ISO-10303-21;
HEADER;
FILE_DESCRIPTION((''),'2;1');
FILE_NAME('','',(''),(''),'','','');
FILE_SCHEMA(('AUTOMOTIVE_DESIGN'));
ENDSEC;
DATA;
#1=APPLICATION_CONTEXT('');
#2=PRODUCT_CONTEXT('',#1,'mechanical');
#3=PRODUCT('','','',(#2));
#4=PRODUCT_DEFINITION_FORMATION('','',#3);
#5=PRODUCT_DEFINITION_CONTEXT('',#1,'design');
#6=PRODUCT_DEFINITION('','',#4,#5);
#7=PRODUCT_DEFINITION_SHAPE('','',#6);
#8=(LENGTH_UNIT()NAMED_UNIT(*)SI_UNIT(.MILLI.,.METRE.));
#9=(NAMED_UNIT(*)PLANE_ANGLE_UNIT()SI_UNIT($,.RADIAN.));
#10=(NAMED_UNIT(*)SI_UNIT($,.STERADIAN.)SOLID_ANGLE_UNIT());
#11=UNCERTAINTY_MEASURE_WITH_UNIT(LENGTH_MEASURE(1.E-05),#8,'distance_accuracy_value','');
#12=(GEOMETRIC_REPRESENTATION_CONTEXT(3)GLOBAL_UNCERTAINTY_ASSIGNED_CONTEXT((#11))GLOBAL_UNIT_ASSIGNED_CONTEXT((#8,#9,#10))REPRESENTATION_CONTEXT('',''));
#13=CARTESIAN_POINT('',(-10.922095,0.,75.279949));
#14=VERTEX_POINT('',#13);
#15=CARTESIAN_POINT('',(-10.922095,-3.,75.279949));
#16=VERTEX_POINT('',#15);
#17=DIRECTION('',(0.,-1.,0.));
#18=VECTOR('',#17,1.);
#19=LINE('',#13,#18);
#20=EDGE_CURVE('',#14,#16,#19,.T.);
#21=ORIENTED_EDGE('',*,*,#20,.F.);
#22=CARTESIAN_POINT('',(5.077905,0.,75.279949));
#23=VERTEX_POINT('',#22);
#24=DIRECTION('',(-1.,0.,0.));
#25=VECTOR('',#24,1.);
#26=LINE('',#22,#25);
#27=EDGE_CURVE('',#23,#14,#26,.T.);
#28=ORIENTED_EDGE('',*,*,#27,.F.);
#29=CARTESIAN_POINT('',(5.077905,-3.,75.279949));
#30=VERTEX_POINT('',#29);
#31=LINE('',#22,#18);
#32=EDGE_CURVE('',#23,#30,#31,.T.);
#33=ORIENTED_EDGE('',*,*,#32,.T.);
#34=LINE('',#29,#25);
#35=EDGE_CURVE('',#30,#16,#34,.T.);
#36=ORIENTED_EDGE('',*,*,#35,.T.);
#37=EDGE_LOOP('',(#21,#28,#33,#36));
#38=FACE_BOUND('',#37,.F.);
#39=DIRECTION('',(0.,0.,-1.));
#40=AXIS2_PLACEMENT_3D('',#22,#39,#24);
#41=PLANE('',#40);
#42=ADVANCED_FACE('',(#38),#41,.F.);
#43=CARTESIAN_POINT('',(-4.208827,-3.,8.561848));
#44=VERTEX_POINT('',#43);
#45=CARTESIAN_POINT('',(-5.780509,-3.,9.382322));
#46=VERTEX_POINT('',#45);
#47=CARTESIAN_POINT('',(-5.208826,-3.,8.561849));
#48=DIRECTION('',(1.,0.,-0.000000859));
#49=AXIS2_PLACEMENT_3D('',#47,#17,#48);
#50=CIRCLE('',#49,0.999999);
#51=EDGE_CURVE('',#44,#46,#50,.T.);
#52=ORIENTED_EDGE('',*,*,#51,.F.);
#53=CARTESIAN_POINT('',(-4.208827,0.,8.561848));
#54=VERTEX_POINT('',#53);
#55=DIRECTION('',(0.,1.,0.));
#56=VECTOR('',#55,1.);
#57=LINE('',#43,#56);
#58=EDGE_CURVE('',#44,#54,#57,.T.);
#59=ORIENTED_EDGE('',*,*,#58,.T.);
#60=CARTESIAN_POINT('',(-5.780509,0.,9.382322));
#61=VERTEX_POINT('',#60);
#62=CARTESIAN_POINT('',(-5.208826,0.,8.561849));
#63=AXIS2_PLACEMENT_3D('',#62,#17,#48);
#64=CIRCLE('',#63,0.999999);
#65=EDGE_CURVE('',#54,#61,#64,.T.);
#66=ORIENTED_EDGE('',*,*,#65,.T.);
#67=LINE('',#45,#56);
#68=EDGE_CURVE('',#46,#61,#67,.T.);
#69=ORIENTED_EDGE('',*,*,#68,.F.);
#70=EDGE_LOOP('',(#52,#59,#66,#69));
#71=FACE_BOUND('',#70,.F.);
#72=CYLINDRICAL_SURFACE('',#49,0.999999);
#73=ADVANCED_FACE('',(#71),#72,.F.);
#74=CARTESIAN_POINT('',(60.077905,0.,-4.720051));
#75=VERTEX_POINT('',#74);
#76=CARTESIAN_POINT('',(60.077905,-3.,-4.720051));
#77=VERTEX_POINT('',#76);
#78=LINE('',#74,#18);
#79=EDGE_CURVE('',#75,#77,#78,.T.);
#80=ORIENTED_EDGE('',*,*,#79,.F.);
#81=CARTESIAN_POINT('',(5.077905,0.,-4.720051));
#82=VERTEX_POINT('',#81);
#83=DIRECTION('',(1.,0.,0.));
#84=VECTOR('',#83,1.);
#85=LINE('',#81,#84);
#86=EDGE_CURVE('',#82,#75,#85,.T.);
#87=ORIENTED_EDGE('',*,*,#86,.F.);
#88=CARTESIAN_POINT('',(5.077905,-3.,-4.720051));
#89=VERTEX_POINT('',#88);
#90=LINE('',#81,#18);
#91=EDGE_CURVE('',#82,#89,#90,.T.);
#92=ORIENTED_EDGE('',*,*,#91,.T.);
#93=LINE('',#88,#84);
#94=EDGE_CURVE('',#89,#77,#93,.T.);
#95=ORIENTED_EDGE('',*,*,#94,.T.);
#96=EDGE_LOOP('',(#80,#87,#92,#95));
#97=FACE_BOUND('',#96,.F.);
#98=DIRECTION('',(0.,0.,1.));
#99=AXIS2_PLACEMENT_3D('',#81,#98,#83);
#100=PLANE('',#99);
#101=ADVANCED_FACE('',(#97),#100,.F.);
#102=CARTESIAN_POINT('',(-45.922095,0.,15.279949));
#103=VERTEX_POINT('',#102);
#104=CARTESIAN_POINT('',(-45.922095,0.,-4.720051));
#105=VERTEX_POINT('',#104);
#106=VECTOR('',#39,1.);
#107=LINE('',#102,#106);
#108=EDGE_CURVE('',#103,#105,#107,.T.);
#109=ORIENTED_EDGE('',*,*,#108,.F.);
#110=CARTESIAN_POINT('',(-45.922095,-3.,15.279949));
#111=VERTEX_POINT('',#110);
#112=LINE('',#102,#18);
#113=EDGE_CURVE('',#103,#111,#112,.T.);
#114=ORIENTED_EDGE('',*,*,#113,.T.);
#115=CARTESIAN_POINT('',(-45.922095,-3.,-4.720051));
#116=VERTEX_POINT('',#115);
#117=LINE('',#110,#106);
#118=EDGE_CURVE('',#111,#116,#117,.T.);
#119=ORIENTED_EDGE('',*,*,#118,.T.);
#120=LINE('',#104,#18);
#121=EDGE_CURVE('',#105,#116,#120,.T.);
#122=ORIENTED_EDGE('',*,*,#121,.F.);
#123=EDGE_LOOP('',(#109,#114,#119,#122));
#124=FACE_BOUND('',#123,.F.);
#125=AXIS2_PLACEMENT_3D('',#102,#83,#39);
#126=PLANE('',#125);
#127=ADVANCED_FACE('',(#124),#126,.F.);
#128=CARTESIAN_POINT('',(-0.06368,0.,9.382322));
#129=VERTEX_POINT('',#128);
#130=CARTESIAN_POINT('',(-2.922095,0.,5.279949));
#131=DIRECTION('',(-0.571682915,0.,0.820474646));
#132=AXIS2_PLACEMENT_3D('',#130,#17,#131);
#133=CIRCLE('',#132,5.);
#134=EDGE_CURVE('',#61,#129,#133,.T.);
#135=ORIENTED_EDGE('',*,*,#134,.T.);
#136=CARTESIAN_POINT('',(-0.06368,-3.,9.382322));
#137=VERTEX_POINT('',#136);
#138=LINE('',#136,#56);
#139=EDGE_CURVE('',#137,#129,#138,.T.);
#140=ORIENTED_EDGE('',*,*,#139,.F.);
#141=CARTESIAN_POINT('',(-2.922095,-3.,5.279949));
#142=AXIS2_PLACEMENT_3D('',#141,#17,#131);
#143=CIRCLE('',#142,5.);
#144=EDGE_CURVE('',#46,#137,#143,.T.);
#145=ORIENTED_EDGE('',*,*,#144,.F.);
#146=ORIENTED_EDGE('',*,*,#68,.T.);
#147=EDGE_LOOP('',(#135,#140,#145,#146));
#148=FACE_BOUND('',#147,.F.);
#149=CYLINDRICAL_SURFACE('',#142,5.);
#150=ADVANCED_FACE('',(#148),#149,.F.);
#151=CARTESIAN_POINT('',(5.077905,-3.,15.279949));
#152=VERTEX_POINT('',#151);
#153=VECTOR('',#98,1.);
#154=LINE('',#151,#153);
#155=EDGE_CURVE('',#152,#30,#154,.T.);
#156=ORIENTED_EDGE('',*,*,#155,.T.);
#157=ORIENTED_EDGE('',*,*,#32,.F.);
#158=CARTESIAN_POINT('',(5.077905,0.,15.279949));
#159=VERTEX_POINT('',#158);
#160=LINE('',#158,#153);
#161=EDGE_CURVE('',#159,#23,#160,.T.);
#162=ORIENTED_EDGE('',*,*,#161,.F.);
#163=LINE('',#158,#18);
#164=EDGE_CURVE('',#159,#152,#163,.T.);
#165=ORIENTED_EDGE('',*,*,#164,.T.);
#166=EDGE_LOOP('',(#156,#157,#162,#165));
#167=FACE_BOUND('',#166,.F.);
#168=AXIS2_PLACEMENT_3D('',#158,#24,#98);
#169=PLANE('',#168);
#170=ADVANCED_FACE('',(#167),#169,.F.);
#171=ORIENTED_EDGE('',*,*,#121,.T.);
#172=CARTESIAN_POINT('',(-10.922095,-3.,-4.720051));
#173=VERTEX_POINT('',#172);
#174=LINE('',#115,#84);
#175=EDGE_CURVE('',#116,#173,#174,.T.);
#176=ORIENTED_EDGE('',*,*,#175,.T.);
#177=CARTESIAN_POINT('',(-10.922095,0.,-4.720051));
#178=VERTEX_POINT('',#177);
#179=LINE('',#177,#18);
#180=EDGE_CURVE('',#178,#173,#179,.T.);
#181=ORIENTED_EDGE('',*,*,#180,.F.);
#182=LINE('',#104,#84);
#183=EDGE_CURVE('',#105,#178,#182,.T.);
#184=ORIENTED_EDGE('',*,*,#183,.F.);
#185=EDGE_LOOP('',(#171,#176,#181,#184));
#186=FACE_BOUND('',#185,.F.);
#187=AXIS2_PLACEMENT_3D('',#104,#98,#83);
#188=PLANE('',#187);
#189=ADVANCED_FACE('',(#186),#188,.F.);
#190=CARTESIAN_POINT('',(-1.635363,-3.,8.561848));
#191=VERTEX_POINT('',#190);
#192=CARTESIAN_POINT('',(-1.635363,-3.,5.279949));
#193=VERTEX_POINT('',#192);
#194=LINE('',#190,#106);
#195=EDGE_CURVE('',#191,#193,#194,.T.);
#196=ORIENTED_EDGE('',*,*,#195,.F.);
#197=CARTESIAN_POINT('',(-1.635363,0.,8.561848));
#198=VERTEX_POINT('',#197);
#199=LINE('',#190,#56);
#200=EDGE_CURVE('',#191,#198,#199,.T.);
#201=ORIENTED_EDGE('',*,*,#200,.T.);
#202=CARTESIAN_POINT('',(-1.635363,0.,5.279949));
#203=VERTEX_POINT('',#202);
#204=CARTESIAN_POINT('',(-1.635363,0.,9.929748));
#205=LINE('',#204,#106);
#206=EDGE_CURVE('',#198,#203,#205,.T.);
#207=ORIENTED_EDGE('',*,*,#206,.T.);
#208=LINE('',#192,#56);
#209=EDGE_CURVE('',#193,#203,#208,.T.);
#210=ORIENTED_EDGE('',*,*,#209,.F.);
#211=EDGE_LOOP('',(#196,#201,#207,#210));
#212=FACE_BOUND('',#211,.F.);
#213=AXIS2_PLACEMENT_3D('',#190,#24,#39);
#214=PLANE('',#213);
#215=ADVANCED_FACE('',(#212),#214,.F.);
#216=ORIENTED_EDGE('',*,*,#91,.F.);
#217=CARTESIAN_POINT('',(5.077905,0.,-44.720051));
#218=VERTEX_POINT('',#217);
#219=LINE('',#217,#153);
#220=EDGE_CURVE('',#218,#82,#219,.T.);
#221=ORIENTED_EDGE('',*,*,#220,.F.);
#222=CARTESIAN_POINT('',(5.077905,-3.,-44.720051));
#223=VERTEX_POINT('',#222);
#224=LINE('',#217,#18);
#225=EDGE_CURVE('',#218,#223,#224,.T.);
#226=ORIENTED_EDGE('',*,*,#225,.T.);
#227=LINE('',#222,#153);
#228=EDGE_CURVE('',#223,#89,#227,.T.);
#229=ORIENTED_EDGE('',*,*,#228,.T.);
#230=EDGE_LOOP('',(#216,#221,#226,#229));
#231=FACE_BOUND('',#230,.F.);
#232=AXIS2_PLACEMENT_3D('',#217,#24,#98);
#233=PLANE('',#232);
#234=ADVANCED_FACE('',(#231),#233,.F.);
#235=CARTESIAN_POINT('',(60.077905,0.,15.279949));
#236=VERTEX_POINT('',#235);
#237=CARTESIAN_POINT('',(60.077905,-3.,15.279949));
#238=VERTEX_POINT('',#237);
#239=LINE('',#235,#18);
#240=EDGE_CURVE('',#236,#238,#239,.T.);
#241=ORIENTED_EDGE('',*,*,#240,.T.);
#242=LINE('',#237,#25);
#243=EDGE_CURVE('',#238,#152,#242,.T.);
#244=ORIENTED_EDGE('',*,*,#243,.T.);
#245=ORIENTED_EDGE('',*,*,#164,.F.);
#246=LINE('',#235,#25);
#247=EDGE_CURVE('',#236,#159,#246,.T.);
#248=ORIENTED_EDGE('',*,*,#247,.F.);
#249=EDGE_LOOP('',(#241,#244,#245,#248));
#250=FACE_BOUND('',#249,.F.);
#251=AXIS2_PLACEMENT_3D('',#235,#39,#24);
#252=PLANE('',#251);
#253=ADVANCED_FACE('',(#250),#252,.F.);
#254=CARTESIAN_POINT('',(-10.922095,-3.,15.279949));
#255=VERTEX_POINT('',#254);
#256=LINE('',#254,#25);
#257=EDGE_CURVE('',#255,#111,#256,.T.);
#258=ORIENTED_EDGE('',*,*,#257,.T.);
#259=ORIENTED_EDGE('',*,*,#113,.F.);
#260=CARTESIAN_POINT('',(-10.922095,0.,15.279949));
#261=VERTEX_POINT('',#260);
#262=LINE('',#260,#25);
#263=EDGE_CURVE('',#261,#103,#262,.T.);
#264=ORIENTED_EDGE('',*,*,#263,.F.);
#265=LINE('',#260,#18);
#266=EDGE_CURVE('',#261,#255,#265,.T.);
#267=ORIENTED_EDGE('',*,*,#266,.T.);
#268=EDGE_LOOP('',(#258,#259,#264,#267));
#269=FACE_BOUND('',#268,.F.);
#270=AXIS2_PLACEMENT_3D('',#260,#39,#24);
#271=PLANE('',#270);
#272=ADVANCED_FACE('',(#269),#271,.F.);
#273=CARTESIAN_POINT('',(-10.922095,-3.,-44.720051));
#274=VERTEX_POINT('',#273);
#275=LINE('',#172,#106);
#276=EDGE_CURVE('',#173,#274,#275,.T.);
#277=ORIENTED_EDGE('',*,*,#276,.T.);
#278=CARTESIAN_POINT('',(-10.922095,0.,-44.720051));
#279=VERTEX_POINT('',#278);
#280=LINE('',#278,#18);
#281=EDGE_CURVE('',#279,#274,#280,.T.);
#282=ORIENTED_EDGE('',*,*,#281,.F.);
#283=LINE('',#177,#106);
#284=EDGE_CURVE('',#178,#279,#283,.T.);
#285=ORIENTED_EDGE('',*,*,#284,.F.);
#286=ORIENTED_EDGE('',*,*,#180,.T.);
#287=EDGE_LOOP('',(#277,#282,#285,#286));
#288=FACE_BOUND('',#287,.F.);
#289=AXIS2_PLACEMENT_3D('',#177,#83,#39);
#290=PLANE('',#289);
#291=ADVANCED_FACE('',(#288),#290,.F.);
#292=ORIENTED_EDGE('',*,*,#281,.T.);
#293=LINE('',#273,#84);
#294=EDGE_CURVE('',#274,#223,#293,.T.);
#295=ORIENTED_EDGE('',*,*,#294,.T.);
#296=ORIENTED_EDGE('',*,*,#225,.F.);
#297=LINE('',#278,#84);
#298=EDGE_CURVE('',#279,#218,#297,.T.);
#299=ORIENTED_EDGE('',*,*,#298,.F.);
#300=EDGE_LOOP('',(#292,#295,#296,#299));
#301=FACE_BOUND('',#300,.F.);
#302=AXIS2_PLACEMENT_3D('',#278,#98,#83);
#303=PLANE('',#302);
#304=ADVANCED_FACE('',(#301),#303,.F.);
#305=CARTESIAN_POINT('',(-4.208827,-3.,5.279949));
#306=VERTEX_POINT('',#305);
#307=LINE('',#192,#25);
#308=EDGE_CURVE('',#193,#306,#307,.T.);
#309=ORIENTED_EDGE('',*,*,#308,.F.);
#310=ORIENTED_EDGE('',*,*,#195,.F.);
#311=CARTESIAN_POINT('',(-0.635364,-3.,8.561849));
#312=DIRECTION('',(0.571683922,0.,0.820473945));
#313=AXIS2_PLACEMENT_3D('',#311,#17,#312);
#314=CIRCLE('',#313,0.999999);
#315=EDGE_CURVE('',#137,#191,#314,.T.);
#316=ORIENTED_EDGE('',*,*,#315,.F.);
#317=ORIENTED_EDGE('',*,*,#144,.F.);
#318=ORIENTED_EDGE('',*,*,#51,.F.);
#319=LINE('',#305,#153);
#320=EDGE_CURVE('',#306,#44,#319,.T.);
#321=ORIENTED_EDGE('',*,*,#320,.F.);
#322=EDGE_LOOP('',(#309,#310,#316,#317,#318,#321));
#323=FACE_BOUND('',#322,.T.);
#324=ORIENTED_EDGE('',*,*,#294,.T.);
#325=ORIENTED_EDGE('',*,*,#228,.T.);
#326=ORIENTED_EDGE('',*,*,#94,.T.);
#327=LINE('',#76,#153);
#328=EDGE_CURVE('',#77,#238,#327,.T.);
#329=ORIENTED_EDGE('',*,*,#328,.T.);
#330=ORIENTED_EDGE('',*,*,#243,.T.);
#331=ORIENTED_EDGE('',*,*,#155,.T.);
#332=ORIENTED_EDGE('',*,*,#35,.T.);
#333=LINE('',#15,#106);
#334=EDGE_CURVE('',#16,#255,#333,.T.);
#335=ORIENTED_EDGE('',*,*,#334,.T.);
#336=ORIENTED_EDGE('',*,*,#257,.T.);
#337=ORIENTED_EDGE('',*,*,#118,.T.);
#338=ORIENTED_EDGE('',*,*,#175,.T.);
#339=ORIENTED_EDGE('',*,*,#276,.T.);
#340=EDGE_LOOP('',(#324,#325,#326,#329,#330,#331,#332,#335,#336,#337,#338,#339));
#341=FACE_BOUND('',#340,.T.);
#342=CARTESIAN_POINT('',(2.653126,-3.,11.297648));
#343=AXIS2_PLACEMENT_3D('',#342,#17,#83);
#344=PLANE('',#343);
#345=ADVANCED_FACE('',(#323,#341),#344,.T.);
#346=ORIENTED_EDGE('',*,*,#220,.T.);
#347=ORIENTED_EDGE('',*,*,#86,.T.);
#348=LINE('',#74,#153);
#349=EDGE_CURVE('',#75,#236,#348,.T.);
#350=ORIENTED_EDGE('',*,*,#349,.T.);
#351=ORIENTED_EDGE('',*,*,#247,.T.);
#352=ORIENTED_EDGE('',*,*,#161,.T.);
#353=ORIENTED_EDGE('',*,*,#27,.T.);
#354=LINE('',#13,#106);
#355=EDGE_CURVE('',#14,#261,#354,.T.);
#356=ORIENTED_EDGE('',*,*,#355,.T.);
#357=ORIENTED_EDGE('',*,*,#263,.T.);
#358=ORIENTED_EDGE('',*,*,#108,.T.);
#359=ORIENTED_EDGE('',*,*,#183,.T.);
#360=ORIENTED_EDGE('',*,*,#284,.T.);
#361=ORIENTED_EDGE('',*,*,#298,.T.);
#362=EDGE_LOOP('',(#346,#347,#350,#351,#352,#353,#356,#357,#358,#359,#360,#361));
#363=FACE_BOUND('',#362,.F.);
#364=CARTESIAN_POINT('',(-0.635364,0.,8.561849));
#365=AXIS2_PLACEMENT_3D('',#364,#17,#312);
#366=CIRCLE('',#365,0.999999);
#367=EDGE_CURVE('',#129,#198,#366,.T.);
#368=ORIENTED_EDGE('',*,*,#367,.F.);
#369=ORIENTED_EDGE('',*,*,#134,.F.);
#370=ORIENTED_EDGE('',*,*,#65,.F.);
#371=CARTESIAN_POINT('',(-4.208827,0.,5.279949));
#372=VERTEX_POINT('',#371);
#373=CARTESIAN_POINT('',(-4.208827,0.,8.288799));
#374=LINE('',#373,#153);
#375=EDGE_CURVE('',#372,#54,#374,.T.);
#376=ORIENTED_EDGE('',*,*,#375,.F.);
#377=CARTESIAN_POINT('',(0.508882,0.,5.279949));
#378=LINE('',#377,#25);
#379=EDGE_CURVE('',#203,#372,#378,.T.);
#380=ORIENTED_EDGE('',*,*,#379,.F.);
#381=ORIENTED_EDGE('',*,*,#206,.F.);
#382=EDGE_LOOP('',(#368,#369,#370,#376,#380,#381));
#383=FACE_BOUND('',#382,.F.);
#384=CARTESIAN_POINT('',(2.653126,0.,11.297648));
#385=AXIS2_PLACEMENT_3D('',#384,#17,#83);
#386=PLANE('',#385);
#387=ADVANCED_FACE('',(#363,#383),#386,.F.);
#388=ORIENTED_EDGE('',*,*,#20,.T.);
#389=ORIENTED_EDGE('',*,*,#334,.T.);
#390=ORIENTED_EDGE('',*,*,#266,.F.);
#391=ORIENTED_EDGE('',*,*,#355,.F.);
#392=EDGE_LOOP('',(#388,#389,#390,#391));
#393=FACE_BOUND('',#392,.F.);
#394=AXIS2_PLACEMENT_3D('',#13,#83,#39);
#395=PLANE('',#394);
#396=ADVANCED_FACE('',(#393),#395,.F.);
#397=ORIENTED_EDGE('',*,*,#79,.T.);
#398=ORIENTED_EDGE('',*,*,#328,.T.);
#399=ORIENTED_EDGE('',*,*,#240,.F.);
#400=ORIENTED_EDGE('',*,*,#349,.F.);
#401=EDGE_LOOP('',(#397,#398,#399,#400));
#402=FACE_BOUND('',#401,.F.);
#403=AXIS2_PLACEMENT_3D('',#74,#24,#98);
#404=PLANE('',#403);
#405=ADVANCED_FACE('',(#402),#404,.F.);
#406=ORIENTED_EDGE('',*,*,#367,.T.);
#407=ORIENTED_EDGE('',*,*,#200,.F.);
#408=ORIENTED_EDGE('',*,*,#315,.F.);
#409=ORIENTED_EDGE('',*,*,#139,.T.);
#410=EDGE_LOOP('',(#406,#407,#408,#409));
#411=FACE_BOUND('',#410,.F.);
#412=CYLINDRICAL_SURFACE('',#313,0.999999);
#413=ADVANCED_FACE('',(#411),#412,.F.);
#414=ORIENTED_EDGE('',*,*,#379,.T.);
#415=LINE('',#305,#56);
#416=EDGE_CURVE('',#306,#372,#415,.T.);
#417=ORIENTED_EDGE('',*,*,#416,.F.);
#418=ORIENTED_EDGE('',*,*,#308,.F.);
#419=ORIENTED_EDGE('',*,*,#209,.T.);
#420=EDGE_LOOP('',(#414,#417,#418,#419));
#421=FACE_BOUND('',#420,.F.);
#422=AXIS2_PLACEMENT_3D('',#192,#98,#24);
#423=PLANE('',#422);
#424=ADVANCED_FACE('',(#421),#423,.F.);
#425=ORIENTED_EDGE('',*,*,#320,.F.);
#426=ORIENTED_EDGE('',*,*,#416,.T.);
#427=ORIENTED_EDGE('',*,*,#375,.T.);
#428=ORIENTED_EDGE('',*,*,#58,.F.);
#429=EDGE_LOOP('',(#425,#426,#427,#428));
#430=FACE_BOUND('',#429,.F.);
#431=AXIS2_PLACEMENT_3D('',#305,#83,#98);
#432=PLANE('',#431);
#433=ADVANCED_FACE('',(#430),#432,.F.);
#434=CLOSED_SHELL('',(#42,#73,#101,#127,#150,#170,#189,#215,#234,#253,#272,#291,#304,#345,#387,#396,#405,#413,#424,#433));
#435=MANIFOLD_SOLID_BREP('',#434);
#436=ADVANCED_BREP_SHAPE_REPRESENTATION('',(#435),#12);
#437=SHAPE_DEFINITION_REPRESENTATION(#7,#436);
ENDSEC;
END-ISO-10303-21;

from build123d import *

# Parameters (mm, degrees)
F1_DEPTH = 3
F3_DEPTH = 25


with BuildPart() as f1:
    # F0 (on Front) → F1 (new body)
    with BuildSketch(Plane.XZ):
        Polygon((-10.922095, -4.720051), (-10.922095, -44.720051), (5.077905, -44.720051), (5.077905, -4.720051), (60.077905, -4.720051), (60.077905, 15.279949), (5.077905, 15.279949), (5.077905, 75.279949), (-10.922095, 75.279949), (-10.922095, 15.279949), (-45.922095, 15.279949), (-45.922095, -4.720051), align=None)
    extrude(amount=F1_DEPTH)

    # F2 (on face) → F3 (cut)
    with BuildSketch(Plane.XZ.offset(3)):
        with BuildLine():
            ThreePointArc((-4.208827, 8.561848), (-4.746054, 9.448325), (-5.780509, 9.382322))
            ThreePointArc((-5.780509, 9.382322), (-2.922095, 0.279949), (-0.06368, 9.382322))
            ThreePointArc((-0.06368, 9.382322), (-1.098136, 9.448325), (-1.635363, 8.561848))
            Line((-1.635363, 8.561848), (-1.635363, 5.279949))
            Line((-1.635363, 5.279949), (-4.208827, 5.279949))
            Line((-4.208827, 5.279949), (-4.208827, 8.561848))
        make_face()
    extrude(amount=-F3_DEPTH, mode=Mode.SUBTRACT)


solid = f1.part
